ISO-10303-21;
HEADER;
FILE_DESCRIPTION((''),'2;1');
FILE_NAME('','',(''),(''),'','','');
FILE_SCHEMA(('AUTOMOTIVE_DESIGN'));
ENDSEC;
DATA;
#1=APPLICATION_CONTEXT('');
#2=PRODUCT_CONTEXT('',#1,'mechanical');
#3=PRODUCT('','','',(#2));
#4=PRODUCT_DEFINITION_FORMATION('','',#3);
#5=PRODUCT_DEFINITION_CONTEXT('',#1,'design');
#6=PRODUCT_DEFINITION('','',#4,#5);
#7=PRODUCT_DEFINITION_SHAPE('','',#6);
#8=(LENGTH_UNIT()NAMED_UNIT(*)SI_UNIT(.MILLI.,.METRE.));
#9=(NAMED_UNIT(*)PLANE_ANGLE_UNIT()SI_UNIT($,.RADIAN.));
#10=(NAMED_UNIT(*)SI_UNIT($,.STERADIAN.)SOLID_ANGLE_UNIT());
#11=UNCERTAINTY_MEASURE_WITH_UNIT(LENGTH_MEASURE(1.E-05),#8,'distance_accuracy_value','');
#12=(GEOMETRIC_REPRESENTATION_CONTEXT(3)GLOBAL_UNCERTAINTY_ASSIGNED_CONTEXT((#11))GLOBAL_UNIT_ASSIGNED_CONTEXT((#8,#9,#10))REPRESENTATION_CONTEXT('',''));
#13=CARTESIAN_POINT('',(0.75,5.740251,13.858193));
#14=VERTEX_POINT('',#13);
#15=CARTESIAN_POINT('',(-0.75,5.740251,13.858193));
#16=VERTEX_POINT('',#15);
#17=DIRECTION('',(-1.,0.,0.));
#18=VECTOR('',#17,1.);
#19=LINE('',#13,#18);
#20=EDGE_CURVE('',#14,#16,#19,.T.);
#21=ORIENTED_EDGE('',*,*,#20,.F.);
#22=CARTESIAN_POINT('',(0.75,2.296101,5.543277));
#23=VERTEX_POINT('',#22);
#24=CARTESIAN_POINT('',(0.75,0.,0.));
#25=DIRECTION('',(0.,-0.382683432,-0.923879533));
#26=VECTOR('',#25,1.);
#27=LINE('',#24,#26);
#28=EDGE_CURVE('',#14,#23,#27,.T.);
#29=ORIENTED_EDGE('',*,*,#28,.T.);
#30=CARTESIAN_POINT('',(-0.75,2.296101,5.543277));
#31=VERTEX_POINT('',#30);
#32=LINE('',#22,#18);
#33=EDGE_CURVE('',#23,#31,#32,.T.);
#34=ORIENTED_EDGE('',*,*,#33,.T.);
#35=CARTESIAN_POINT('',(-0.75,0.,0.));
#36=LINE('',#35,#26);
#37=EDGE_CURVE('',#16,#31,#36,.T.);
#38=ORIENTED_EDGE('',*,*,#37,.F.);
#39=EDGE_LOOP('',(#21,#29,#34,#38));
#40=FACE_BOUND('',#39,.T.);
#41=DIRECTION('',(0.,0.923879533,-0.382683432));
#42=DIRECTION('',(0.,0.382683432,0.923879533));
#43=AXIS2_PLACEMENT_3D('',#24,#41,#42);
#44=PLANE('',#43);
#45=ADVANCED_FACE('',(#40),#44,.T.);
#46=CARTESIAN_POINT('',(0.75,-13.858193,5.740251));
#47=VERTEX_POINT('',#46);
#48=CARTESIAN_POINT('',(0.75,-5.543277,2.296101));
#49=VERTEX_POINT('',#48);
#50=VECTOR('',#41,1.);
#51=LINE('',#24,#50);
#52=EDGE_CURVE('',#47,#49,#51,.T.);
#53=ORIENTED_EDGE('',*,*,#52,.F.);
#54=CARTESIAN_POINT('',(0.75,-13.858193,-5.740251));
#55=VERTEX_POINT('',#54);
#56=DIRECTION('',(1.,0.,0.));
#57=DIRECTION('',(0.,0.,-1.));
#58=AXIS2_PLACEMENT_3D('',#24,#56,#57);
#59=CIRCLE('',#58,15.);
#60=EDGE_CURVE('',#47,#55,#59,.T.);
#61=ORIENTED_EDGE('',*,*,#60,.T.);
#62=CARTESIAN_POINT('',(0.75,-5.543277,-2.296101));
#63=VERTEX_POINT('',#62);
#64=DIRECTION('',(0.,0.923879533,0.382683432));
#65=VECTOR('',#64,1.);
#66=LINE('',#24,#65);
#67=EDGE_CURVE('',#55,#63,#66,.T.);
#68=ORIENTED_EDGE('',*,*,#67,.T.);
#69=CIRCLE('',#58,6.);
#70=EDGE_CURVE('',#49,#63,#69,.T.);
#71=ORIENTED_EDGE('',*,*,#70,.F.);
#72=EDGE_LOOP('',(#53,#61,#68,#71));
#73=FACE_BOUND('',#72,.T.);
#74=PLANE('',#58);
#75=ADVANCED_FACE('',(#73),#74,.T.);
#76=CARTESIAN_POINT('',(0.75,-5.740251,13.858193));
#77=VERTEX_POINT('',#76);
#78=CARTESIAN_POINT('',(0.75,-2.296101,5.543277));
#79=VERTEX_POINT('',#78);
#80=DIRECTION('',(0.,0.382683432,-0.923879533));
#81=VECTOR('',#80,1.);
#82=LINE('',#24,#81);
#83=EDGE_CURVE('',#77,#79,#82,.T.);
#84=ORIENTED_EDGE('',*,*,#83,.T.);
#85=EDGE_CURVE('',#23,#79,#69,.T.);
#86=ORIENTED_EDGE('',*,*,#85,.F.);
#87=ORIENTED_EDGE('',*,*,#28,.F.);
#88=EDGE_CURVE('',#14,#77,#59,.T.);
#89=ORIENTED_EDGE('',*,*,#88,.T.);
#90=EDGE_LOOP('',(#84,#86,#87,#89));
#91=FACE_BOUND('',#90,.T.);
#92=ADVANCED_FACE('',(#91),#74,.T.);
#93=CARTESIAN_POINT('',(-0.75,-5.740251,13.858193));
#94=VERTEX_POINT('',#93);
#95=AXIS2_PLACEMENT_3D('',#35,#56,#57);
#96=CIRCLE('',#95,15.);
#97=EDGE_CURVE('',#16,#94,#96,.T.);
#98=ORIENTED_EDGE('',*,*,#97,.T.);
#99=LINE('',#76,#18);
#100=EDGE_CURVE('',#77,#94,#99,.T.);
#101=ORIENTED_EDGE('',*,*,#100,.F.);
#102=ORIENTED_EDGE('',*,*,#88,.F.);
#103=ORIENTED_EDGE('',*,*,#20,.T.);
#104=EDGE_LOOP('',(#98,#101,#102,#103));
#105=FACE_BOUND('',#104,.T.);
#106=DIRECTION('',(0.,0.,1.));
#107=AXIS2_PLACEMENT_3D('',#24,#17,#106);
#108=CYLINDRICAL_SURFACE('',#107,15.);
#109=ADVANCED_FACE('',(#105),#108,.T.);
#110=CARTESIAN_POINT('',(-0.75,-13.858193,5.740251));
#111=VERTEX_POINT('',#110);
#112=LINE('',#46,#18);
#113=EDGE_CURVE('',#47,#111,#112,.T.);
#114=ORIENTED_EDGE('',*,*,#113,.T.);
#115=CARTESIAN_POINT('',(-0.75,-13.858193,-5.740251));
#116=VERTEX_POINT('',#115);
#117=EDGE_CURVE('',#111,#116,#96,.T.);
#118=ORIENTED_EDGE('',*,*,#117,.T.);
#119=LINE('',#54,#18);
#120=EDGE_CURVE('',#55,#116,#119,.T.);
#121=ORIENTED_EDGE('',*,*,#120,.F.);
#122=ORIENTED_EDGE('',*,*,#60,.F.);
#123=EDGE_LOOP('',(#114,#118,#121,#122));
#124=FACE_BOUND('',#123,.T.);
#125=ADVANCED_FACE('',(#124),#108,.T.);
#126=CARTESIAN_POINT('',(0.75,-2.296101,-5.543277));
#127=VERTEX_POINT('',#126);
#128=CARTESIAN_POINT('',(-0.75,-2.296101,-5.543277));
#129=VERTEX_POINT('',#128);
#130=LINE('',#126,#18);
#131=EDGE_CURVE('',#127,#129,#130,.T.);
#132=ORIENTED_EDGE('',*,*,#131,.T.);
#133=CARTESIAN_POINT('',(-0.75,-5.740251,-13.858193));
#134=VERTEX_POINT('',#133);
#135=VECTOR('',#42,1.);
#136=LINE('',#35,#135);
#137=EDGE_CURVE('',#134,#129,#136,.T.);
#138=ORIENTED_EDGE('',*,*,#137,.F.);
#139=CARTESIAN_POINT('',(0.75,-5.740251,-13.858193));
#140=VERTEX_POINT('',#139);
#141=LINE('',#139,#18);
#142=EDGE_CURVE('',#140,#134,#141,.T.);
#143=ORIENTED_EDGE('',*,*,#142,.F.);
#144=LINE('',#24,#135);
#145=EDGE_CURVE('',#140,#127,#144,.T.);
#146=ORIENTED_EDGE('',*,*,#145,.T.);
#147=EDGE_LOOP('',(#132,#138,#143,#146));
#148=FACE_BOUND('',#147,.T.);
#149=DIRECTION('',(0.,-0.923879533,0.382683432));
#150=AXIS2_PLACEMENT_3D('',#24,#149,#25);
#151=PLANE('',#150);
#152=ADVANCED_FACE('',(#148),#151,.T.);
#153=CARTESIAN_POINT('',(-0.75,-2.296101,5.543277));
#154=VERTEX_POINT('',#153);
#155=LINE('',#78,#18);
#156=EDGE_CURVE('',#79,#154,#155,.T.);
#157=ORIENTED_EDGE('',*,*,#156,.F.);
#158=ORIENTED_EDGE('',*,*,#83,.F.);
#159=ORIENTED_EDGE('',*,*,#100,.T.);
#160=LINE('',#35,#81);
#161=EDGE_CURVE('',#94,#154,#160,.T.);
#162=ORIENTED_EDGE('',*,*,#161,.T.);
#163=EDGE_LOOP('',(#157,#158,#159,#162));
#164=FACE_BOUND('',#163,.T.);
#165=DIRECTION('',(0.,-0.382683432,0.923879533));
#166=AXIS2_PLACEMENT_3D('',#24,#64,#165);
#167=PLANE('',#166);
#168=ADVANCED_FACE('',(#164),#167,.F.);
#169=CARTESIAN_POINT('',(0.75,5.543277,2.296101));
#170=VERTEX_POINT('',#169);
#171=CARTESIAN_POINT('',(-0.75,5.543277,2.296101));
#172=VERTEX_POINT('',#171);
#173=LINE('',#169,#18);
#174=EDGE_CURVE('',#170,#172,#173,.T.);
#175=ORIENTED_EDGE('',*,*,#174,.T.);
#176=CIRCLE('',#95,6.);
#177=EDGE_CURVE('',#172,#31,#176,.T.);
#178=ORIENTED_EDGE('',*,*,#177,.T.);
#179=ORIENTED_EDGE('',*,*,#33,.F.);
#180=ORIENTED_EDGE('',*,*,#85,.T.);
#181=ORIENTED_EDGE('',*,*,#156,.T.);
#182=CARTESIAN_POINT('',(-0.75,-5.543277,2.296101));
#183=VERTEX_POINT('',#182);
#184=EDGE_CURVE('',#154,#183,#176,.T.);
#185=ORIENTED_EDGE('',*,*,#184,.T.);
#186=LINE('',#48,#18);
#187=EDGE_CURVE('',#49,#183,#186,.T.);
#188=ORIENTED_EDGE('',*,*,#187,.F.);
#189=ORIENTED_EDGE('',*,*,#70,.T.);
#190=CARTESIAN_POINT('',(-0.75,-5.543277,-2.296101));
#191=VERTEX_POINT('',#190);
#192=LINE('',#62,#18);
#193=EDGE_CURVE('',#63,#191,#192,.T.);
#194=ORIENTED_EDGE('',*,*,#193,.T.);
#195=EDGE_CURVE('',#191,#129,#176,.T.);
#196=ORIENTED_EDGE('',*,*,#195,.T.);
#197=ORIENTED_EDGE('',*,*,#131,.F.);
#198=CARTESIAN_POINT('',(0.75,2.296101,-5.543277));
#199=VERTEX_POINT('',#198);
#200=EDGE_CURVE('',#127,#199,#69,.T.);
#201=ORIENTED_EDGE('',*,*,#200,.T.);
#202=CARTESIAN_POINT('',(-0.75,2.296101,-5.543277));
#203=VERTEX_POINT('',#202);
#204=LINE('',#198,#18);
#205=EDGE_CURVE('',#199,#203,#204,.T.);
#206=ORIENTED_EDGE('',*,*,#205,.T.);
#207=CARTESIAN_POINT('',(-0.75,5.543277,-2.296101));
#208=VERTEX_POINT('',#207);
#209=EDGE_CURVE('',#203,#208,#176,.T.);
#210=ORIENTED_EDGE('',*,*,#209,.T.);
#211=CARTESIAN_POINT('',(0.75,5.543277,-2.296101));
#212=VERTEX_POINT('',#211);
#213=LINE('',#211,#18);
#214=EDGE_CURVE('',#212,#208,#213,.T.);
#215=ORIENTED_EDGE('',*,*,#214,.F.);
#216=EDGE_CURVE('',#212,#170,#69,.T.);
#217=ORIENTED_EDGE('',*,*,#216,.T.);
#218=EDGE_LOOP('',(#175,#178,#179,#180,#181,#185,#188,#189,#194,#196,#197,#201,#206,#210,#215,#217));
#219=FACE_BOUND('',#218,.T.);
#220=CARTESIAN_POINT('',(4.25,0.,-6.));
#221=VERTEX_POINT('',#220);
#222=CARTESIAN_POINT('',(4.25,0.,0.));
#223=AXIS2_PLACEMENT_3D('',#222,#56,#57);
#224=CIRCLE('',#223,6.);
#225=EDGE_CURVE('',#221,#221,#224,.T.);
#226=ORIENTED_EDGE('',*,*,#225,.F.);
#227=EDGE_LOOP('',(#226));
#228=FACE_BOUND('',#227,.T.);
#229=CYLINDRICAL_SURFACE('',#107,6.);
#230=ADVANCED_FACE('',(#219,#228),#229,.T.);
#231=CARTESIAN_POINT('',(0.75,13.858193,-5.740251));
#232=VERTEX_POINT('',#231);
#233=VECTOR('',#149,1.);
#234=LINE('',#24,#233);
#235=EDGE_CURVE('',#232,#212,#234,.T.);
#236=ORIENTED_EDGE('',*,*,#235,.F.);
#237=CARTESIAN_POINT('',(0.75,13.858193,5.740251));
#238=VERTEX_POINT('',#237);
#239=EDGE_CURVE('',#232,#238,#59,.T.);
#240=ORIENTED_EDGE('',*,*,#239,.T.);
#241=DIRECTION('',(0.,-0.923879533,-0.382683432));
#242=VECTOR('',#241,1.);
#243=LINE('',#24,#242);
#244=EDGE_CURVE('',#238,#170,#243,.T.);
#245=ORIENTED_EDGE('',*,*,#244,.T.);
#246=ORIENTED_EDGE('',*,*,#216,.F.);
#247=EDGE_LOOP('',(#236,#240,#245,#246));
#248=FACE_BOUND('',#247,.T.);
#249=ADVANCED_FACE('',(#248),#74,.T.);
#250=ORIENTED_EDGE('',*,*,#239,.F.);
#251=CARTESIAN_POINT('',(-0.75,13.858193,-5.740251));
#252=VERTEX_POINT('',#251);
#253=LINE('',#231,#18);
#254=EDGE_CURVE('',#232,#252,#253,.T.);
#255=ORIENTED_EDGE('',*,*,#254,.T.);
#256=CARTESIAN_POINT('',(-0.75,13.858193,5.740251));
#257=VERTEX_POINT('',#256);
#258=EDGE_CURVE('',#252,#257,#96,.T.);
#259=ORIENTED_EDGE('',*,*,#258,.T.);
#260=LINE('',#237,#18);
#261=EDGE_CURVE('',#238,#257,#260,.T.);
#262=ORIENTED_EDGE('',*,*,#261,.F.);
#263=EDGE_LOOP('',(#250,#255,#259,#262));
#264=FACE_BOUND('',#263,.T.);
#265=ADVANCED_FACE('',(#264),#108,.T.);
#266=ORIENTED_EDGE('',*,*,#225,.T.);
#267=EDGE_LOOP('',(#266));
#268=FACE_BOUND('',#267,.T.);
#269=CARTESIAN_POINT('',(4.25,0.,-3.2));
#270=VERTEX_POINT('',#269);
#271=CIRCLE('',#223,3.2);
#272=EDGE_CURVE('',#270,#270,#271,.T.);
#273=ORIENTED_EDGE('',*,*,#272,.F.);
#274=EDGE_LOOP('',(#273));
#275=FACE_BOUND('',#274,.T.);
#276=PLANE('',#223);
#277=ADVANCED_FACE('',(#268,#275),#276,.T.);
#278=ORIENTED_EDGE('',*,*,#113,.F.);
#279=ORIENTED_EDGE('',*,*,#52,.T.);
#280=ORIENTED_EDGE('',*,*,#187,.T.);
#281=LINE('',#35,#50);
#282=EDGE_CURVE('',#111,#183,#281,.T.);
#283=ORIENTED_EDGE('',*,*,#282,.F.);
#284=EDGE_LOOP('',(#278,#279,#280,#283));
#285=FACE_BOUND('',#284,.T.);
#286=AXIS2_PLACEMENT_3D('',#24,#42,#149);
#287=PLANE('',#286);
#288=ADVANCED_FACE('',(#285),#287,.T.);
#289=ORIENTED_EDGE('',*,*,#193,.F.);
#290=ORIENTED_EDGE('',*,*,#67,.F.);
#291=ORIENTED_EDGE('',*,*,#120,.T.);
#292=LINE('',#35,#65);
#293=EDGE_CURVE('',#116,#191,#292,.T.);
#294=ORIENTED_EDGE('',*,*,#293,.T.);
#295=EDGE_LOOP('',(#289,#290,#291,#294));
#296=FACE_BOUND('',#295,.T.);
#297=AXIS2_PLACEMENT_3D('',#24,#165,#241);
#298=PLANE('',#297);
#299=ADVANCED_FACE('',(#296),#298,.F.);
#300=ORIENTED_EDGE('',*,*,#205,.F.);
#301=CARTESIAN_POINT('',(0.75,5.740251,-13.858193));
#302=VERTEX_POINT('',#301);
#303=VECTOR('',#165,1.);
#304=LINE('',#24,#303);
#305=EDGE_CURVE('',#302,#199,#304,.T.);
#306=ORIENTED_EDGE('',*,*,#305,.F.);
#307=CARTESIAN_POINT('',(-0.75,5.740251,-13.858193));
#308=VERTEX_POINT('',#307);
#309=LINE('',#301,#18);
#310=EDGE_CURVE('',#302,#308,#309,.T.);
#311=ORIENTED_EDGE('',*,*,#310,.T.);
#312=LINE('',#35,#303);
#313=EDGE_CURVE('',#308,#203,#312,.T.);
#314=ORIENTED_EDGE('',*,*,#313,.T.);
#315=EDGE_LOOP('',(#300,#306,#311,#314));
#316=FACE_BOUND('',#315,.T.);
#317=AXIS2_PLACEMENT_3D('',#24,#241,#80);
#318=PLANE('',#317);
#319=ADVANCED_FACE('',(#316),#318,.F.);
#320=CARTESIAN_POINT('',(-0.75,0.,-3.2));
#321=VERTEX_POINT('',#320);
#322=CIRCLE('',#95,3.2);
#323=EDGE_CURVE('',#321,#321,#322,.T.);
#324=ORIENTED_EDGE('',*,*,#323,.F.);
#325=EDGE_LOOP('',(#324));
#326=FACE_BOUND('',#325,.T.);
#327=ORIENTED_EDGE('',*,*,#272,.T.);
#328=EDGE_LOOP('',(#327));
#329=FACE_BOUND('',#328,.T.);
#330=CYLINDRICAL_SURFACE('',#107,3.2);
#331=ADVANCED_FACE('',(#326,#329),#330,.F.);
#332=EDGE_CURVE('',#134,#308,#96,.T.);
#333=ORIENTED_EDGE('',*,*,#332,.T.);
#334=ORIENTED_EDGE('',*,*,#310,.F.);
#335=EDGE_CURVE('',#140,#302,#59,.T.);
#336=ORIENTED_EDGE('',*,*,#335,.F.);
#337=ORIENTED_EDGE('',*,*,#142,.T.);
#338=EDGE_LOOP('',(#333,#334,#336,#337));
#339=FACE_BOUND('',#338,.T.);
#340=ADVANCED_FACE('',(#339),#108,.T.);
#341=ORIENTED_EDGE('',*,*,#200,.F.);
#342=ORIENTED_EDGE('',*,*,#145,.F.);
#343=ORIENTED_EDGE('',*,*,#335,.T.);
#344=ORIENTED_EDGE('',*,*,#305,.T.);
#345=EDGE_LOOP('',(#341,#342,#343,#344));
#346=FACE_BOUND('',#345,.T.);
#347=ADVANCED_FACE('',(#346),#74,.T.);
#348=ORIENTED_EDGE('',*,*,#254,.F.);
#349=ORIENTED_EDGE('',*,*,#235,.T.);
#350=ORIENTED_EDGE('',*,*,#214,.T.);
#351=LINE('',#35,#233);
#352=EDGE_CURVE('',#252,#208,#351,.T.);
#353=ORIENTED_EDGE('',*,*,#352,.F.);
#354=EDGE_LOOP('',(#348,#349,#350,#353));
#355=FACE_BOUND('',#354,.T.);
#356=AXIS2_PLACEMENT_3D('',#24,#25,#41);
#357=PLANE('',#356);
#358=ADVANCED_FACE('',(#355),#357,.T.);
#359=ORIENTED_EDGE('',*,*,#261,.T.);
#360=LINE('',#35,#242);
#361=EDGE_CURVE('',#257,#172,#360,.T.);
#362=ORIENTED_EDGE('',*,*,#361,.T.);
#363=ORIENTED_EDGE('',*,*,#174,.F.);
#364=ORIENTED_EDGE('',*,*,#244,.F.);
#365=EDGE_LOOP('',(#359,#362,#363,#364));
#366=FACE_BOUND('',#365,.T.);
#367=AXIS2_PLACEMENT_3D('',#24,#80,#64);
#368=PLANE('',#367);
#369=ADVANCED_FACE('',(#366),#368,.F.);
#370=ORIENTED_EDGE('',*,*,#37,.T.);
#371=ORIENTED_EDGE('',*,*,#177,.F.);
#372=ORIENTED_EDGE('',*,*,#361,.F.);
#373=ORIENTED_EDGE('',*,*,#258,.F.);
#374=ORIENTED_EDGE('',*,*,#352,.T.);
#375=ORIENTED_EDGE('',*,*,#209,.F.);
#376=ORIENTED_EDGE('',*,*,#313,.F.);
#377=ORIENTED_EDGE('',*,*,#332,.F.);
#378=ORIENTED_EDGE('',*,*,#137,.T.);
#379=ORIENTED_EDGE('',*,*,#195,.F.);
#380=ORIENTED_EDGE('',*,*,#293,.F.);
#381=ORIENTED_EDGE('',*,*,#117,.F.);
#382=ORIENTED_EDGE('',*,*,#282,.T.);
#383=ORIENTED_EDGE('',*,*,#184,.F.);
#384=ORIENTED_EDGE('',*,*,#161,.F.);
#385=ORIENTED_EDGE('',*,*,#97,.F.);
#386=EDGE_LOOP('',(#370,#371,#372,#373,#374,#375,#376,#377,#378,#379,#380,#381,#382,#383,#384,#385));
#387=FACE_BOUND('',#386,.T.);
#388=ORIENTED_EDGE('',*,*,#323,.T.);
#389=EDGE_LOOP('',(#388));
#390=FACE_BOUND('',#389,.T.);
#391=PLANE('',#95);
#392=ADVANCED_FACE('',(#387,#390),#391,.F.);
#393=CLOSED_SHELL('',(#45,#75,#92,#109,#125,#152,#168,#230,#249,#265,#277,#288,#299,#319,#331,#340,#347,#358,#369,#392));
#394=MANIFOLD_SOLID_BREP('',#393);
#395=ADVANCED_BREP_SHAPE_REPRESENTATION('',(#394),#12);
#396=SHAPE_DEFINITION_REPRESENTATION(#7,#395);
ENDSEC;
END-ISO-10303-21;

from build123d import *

# Parameters (mm, degrees)
CROQUIS1_R              = 3.2
SALIENTE_EXTRUIR1_DEPTH = 0.75
SALIENTE_EXTRUIR2_START = 3.5
CROQUIS2_R              = 6
CROQUIS2_R_2            = 3.2
SALIENTE_EXTRUIR2_DEPTH = 3.5


with BuildPart() as part:
    # Croquis1 → Saliente-Extruir1 (new, symmetric)
    # profile 1 of 9: a face of its own
    with BuildSketch(Plane(origin=(0, 0, 0), x_dir=(0, 0, -1), z_dir=(1, 0, 0))):
        with BuildLine():
            ThreePointArc((-2.2961005941905754, 5.543277195067705), (-1.1705419320967896, 5.884711682419379), (0, 5.999999999999999))
            Line((0, 6), (0, 15))
            ThreePointArc((9.2e-16, 14.999999999999998), (-2.9263548302419715, 14.711779206048444), (-5.740251485476437, 13.85819298766926))
            Line((-5.740251485476437, 13.858192987669263), (-2.296100594190576, 5.543277195067706))
        make_face()
    # profile 2 of 9: a face of its own
    with BuildSketch(Plane(origin=(0, 0, 0), x_dir=(0, 0, -1), z_dir=(1, 0, 0))):
        with BuildLine():
            Line((0, 15), (0, 6))
            ThreePointArc((3.7e-16, 6), (1.1705419320967503, 5.884711682419386), (2.296100594190503, 5.543277195067735))
            Line((2.2961005941905026, 5.543277195067734), (5.740251485476257, 13.858192987669337))
            ThreePointArc((5.740251485476257, 13.858192987669337), (2.9263548302418774, 14.711779206048465), (1.1e-16, 15))
        make_face()
    # profile 3 of 9: a face of its own
    with BuildSketch(Plane(origin=(0, 0, 0), x_dir=(0, 0, -1), z_dir=(1, 0, 0))):
        with BuildLine():
            Line((13.858192987669264, 5.740251485476436), (5.543277195067706, 2.296100594190575))
            ThreePointArc((5.543277195067704, 2.2961005941905754), (5.884711682419379, 1.1705419320967891), (6, 3.7e-16))
            Line((6, 3.7e-16), (15, 9.2e-16))
            ThreePointArc((14.999999999999998, 0), (14.711779206048446, 2.9263548302419706), (13.858192987669263, 5.740251485476435))
        make_face()
    # profile 4 of 9: a face of its own
    with BuildSketch(Plane(origin=(0, 0, 0), x_dir=(0, 0, -1), z_dir=(1, 0, 0))):
        with BuildLine():
            Line((15, 9.2e-16), (6, 3.7e-16))
            ThreePointArc((6, -1.47e-15), (5.884711682419386, -1.1705419320967514), (5.543277195067735, -2.296100594190503))
            Line((5.543277195067734, -2.296100594190502), (13.858192987669337, -5.740251485476256))
            ThreePointArc((13.858192987669337, -5.740251485476256), (14.711779206048465, -2.9263548302418743), (14.999999999999998, 1.11e-15))
        make_face()
    # profile 5 of 9: a face of its own
    with BuildSketch(Plane(origin=(0, 0, 0), x_dir=(0, 0, -1), z_dir=(1, 0, 0))):
        with BuildLine():
            Line((5.740251485476437, -13.858192987669264), (2.2961005941905754, -5.543277195067704))
            ThreePointArc((2.296100594190576, -5.543277195067706), (1.17054193209679, -5.88471168241938), (9.2e-16, -6.000000000000001))
            Line((9.2e-16, -6), (1.84e-15, -15))
            ThreePointArc((-2.76e-15, -14.999999999999998), (2.9263548302419635, -14.711779206048446), (5.740251485476435, -13.858192987669263))
        make_face()
    # profile 6 of 9: a face of its own
    with BuildSketch(Plane(origin=(0, 0, 0), x_dir=(0, 0, -1), z_dir=(1, 0, 0))):
        with BuildLine():
            ThreePointArc((-1.1e-15, -6), (-1.170541932096751, -5.884711682419386), (-2.2961005941905026, -5.543277195067736))
            Line((-2.2961005941905017, -5.543277195067734), (-5.740251485476255, -13.858192987669337))
            ThreePointArc((-5.740251485476255, -13.858192987669337), (-2.9263548302418756, -14.711779206048465), (1.67e-15, -15))
            Line((1.84e-15, -15), (9.2e-16, -6))
        make_face()
    # profile 7 of 9: a face of its own
    with BuildSketch(Plane(origin=(0, 0, 0), x_dir=(0, 0, -1), z_dir=(1, 0, 0))):
        with BuildLine():
            ThreePointArc((-5.543277195067704, -2.296100594190576), (-5.884711682419379, -1.17054193209679), (-6, -1.1e-15))
            Line((-6, -1.1e-15), (-15, -2.76e-15))
            ThreePointArc((-14.999999999999998, 1.84e-15), (-14.711779206048446, -2.9263548302419706), (-13.858192987669263, -5.740251485476436))
            Line((-13.858192987669264, -5.740251485476437), (-5.543277195067706, -2.296100594190576))
        make_face()
    # profile 8 of 9: a face of its own
    with BuildSketch(Plane(origin=(0, 0, 0), x_dir=(0, 0, -1), z_dir=(1, 0, 0))):
        with BuildLine():
            ThreePointArc((-6, 7.3e-16), (-5.884711682419386, 1.1705419320967507), (-5.543277195067736, 2.296100594190502))
            Line((-5.543277195067736, 2.296100594190502), (-13.858192987669339, 5.7402514854762545))
            ThreePointArc((-13.85819298766934, 5.740251485476255), (-14.711779206048467, 2.9263548302418747), (-15.000000000000002, -3.22e-15))
            Line((-15, -2.76e-15), (-6, -1.1e-15))
        make_face()
    # profile 9 of 9: a face of its own
    with BuildSketch(Plane(origin=(0, 0, 0), x_dir=(0, 0, -1), z_dir=(1, 0, 0))):
        with BuildLine():
            ThreePointArc((2.296100594190503, 5.543277195067735), (1.1705419320967503, 5.884711682419386), (3.7e-16, 6))
            ThreePointArc((0, 5.999999999999999), (-1.1705419320967896, 5.884711682419379), (-2.2961005941905754, 5.543277195067705))
            ThreePointArc((-2.2961005941905763, 5.543277195067705), (-3.3334213981176317, 4.98881767381526), (-4.2426406871192865, 4.242640687119284))
            ThreePointArc((-4.242640687119286, 4.242640687119283), (-4.988817673815284, 3.333421398117596), (-5.543277195067734, 2.2961005941905004))
            ThreePointArc((-5.543277195067736, 2.296100594190502), (-5.884711682419386, 1.1705419320967507), (-6, 7.3e-16))
            ThreePointArc((-6, -1.1e-15), (-5.884711682419379, -1.17054193209679), (-5.543277195067704, -2.296100594190576))
            ThreePointArc((-5.543277195067706, -2.2961005941905746), (-4.9888176738152605, -3.333421398117629), (-4.242640687119286, -4.242640687119285))
            ThreePointArc((-4.242640687119285, -4.242640687119287), (-3.333421398117597, -4.988817673815285), (-2.2961005941905013, -5.543277195067736))
            ThreePointArc((-2.2961005941905026, -5.543277195067736), (-1.170541932096751, -5.884711682419386), (-1.1e-15, -6))
            ThreePointArc((9.2e-16, -6.000000000000001), (1.17054193209679, -5.88471168241938), (2.296100594190576, -5.543277195067706))
            ThreePointArc((2.296100594190574, -5.543277195067706), (3.333421398117629, -4.9888176738152605), (4.242640687119284, -4.242640687119286))
            ThreePointArc((4.2426406871192865, -4.242640687119285), (4.988817673815282, -3.333421398117596), (5.543277195067736, -2.296100594190502))
            ThreePointArc((5.543277195067735, -2.296100594190503), (5.884711682419386, -1.1705419320967514), (6, -1.47e-15))
            ThreePointArc((6, 3.7e-16), (5.884711682419379, 1.1705419320967891), (5.543277195067704, 2.2961005941905754))
            ThreePointArc((5.543277195067705, 2.2961005941905754), (4.9888176738152605, 3.333421398117629), (4.242640687119286, 4.242640687119284))
            ThreePointArc((4.242640687119287, 4.2426406871192865), (3.333421398117599, 4.988817673815284), (2.2961005941905035, 5.543277195067736))
        make_face()
        Circle(CROQUIS1_R, mode=Mode.SUBTRACT)
    extrude(amount=SALIENTE_EXTRUIR1_DEPTH, both=True)

    # Croquis2 → Saliente-Extruir2 (add)
    with BuildSketch(Plane(origin=(0.75, 0, 0), x_dir=(0, 0, -1), z_dir=(1, 0, 0)).offset(SALIENTE_EXTRUIR2_START)):
        with Locations(Location((0, 0, 0), (0, 0, 157.5))):
            Circle(CROQUIS2_R)
        Circle(CROQUIS2_R_2, mode=Mode.SUBTRACT)
    extrude(amount=-SALIENTE_EXTRUIR2_DEPTH)


solid = part.part
